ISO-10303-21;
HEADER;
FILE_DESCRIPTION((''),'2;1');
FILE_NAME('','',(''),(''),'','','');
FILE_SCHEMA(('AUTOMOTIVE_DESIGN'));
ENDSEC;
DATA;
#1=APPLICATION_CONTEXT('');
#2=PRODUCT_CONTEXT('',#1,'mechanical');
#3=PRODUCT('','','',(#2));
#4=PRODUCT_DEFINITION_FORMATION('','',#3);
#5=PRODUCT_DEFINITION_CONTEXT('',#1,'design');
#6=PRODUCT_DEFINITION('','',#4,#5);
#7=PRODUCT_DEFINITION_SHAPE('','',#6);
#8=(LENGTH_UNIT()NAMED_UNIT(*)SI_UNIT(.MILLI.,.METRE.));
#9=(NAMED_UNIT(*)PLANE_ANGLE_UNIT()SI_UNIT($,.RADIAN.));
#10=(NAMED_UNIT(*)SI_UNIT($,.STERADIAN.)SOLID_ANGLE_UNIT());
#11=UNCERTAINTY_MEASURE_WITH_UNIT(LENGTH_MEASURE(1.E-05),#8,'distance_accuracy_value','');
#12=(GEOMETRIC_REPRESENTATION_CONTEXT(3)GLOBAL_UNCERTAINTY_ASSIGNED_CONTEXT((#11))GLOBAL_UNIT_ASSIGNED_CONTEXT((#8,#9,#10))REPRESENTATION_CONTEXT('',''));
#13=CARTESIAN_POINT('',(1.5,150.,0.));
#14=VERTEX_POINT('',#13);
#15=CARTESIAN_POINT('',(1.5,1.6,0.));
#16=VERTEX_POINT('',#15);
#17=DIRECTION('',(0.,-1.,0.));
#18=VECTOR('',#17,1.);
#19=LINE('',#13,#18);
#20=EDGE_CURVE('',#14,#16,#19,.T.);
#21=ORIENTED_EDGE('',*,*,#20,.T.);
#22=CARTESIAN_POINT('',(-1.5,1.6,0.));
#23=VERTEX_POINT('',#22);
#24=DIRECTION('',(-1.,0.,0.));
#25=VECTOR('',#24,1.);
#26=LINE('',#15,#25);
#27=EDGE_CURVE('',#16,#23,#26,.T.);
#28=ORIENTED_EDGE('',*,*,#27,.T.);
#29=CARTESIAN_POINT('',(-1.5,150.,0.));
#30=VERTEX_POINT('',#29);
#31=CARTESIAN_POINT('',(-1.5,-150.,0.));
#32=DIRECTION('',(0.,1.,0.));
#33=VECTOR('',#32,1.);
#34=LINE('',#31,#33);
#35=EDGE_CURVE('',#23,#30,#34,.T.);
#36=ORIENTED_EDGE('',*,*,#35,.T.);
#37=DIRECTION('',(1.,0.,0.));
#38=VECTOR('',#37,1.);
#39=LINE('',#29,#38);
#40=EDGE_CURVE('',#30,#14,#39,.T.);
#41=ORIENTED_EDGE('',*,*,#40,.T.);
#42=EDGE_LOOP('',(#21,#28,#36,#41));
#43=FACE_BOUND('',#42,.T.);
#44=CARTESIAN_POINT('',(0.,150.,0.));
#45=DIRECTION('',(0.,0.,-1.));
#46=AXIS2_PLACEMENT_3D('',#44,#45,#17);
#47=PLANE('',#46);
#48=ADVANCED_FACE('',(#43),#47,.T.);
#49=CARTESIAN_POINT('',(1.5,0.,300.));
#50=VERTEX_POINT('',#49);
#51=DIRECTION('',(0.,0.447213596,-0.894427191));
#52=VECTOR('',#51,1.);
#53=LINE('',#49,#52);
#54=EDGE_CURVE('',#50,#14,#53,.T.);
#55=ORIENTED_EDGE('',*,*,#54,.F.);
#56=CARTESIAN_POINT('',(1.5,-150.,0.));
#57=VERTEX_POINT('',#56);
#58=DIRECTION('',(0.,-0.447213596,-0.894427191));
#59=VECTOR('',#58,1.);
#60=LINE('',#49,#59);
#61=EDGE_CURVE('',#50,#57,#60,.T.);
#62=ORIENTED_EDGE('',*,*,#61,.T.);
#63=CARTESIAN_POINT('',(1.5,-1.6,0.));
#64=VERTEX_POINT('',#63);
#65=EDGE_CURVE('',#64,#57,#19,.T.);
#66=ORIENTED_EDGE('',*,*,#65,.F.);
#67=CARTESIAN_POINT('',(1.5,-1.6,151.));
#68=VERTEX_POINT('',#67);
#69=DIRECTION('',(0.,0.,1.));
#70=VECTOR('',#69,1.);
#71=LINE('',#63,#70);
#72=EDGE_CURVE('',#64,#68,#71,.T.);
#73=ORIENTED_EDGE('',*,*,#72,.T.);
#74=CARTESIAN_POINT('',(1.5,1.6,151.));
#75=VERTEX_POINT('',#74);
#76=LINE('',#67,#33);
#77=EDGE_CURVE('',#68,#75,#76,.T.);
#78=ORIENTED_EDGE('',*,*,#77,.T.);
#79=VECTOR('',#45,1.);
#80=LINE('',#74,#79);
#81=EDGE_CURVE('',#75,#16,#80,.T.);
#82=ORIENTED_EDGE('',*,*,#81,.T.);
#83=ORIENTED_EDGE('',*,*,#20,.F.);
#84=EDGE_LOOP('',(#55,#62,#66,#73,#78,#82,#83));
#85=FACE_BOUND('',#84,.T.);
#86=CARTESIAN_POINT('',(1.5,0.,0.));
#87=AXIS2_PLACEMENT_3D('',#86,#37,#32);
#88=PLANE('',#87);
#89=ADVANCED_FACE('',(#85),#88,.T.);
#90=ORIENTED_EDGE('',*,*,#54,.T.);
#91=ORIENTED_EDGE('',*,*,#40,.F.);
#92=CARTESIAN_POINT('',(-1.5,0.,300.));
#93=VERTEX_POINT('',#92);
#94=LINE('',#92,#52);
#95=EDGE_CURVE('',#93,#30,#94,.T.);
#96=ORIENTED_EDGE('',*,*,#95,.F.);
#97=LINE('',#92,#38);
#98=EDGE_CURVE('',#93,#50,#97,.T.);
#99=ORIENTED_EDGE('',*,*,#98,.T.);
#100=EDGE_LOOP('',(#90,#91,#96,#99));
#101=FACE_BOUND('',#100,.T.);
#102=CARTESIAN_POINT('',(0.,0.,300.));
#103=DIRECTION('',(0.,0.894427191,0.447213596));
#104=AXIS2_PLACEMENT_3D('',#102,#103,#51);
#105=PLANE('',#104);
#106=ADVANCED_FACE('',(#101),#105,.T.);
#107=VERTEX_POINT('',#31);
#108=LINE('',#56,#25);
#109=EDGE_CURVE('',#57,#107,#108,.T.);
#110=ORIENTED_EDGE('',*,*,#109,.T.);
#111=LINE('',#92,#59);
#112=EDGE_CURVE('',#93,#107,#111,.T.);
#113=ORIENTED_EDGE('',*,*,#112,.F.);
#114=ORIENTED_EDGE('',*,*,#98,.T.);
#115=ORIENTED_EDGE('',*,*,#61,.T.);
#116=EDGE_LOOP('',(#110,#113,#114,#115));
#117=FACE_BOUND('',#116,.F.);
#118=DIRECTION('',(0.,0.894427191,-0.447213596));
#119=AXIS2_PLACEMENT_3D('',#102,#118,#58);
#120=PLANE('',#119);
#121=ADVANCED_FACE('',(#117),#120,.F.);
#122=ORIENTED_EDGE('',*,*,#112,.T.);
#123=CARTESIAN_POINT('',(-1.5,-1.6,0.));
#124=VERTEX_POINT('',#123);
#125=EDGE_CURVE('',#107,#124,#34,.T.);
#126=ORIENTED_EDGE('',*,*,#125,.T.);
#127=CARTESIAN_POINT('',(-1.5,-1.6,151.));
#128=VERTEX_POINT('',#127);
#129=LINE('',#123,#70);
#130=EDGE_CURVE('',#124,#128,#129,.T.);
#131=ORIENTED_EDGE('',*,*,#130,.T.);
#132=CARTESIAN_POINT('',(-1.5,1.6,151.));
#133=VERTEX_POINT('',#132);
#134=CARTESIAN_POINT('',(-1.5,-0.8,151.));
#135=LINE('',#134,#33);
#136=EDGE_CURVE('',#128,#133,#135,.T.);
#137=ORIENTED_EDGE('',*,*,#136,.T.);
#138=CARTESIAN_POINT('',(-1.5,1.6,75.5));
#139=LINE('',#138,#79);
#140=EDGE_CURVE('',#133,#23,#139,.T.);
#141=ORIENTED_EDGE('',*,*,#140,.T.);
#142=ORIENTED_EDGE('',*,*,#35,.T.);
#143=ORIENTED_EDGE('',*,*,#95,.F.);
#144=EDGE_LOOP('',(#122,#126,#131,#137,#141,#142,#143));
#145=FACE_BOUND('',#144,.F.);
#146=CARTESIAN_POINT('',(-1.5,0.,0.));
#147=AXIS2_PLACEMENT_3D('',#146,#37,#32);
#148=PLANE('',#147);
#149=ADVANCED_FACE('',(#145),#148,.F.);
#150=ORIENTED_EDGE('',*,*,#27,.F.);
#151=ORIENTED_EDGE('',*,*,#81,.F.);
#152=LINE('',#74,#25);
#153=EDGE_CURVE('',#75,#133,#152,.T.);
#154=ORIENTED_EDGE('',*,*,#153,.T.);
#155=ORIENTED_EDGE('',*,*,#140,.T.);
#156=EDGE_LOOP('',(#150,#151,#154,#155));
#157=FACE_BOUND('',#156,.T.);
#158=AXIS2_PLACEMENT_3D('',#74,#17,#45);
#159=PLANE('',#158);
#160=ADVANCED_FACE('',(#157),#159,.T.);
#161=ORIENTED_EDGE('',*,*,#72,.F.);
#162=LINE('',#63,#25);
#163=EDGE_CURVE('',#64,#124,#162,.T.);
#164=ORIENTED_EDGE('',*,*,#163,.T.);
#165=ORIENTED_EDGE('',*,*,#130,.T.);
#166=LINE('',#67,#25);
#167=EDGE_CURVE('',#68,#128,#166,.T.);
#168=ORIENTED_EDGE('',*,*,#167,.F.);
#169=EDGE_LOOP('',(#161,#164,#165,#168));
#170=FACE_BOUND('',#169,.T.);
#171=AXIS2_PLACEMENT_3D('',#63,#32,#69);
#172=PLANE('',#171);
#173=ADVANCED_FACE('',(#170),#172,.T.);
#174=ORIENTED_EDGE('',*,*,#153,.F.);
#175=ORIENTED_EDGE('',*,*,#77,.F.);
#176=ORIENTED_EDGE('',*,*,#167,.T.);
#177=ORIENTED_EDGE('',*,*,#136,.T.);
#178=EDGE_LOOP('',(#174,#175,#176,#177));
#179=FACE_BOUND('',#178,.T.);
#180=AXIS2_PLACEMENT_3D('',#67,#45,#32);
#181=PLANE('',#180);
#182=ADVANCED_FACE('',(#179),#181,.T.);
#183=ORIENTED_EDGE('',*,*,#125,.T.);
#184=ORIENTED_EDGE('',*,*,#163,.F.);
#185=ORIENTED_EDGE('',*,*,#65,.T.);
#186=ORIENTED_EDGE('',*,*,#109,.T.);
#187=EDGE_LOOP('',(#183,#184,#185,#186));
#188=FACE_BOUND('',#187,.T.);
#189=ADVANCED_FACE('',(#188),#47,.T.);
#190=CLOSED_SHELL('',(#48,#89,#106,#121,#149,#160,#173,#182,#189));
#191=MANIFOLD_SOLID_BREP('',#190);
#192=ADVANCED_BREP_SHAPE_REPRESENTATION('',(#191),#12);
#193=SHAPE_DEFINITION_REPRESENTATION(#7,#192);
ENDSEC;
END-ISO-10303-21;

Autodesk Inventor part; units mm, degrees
ref_plane "YZ Plane" through (0, 0, 0) normal (1, 0, 0) x (0, 1, 0)
ref_plane "XZ Plane" through (0, 0, 0) normal (0, 1, 0) x (-1, 0, 0)
ref_plane "XY Plane" through (0, 0, 0) normal (0, 0, 1) x (1, 0, 0)
sketch "Sketch1" plane through (0, 0, 0) normal (1, 0, 0) x (0, 1, 0)
  line L0 (150, 0) -> (-150, 0)
  line L1 (0, 0) -> (0, 300)
  line L2 (0, 300) -> (150, 0)
  line L3 (0, 300) -> (-150, 0)
  dimension "d0" = 300
  dimension "d1" = 300
extrude "Plate1" add sketch "Sketch1" along normal mid plane 3
sketch "Sketch3" plane through (1.5, 0, 0) normal (1, 0, 0) x (0, 0, -1)
  line L0 (0, -1.6) -> (-151, -1.6)
  line L1 (-151, -1.6) -> (-151, 1.6)
  line L2 (-151, 1.6) -> (0, 1.6)
  line L3 (0, 1.6) -> (0, -1.6)
  line L4 (0, 150) -> (0, -150) projected
  point P0 (0, 0)
  point P1 (0, 0)
  dimension "d7" = 3.2
  dimension "d8" = 151
extrude "Extrusion2" cut sketch "Sketch3" against normal through all
equation "\"d2\" = Thickness"
equation "\"BendReliefWidth\" = Thickness"
equation "\"BendReliefDepth\" = 0.5 * Thickness"
equation "\"CornerReliefSize\" = 4 * Thickness"
equation "\"MinimumRemnant\" = 2 * Thickness"
equation "\"TransitionRadius\" = BendRadius"
equation "\"JacobiRadiusSize\" = BendRadius"
equation "\"GapSize\" = Thickness"
equation "\"Thickness\" = 3"
equation "\"BendRadius\" = 5"
properties part number "MSC 207 CONE BLADE" material "Stainless Steel"
